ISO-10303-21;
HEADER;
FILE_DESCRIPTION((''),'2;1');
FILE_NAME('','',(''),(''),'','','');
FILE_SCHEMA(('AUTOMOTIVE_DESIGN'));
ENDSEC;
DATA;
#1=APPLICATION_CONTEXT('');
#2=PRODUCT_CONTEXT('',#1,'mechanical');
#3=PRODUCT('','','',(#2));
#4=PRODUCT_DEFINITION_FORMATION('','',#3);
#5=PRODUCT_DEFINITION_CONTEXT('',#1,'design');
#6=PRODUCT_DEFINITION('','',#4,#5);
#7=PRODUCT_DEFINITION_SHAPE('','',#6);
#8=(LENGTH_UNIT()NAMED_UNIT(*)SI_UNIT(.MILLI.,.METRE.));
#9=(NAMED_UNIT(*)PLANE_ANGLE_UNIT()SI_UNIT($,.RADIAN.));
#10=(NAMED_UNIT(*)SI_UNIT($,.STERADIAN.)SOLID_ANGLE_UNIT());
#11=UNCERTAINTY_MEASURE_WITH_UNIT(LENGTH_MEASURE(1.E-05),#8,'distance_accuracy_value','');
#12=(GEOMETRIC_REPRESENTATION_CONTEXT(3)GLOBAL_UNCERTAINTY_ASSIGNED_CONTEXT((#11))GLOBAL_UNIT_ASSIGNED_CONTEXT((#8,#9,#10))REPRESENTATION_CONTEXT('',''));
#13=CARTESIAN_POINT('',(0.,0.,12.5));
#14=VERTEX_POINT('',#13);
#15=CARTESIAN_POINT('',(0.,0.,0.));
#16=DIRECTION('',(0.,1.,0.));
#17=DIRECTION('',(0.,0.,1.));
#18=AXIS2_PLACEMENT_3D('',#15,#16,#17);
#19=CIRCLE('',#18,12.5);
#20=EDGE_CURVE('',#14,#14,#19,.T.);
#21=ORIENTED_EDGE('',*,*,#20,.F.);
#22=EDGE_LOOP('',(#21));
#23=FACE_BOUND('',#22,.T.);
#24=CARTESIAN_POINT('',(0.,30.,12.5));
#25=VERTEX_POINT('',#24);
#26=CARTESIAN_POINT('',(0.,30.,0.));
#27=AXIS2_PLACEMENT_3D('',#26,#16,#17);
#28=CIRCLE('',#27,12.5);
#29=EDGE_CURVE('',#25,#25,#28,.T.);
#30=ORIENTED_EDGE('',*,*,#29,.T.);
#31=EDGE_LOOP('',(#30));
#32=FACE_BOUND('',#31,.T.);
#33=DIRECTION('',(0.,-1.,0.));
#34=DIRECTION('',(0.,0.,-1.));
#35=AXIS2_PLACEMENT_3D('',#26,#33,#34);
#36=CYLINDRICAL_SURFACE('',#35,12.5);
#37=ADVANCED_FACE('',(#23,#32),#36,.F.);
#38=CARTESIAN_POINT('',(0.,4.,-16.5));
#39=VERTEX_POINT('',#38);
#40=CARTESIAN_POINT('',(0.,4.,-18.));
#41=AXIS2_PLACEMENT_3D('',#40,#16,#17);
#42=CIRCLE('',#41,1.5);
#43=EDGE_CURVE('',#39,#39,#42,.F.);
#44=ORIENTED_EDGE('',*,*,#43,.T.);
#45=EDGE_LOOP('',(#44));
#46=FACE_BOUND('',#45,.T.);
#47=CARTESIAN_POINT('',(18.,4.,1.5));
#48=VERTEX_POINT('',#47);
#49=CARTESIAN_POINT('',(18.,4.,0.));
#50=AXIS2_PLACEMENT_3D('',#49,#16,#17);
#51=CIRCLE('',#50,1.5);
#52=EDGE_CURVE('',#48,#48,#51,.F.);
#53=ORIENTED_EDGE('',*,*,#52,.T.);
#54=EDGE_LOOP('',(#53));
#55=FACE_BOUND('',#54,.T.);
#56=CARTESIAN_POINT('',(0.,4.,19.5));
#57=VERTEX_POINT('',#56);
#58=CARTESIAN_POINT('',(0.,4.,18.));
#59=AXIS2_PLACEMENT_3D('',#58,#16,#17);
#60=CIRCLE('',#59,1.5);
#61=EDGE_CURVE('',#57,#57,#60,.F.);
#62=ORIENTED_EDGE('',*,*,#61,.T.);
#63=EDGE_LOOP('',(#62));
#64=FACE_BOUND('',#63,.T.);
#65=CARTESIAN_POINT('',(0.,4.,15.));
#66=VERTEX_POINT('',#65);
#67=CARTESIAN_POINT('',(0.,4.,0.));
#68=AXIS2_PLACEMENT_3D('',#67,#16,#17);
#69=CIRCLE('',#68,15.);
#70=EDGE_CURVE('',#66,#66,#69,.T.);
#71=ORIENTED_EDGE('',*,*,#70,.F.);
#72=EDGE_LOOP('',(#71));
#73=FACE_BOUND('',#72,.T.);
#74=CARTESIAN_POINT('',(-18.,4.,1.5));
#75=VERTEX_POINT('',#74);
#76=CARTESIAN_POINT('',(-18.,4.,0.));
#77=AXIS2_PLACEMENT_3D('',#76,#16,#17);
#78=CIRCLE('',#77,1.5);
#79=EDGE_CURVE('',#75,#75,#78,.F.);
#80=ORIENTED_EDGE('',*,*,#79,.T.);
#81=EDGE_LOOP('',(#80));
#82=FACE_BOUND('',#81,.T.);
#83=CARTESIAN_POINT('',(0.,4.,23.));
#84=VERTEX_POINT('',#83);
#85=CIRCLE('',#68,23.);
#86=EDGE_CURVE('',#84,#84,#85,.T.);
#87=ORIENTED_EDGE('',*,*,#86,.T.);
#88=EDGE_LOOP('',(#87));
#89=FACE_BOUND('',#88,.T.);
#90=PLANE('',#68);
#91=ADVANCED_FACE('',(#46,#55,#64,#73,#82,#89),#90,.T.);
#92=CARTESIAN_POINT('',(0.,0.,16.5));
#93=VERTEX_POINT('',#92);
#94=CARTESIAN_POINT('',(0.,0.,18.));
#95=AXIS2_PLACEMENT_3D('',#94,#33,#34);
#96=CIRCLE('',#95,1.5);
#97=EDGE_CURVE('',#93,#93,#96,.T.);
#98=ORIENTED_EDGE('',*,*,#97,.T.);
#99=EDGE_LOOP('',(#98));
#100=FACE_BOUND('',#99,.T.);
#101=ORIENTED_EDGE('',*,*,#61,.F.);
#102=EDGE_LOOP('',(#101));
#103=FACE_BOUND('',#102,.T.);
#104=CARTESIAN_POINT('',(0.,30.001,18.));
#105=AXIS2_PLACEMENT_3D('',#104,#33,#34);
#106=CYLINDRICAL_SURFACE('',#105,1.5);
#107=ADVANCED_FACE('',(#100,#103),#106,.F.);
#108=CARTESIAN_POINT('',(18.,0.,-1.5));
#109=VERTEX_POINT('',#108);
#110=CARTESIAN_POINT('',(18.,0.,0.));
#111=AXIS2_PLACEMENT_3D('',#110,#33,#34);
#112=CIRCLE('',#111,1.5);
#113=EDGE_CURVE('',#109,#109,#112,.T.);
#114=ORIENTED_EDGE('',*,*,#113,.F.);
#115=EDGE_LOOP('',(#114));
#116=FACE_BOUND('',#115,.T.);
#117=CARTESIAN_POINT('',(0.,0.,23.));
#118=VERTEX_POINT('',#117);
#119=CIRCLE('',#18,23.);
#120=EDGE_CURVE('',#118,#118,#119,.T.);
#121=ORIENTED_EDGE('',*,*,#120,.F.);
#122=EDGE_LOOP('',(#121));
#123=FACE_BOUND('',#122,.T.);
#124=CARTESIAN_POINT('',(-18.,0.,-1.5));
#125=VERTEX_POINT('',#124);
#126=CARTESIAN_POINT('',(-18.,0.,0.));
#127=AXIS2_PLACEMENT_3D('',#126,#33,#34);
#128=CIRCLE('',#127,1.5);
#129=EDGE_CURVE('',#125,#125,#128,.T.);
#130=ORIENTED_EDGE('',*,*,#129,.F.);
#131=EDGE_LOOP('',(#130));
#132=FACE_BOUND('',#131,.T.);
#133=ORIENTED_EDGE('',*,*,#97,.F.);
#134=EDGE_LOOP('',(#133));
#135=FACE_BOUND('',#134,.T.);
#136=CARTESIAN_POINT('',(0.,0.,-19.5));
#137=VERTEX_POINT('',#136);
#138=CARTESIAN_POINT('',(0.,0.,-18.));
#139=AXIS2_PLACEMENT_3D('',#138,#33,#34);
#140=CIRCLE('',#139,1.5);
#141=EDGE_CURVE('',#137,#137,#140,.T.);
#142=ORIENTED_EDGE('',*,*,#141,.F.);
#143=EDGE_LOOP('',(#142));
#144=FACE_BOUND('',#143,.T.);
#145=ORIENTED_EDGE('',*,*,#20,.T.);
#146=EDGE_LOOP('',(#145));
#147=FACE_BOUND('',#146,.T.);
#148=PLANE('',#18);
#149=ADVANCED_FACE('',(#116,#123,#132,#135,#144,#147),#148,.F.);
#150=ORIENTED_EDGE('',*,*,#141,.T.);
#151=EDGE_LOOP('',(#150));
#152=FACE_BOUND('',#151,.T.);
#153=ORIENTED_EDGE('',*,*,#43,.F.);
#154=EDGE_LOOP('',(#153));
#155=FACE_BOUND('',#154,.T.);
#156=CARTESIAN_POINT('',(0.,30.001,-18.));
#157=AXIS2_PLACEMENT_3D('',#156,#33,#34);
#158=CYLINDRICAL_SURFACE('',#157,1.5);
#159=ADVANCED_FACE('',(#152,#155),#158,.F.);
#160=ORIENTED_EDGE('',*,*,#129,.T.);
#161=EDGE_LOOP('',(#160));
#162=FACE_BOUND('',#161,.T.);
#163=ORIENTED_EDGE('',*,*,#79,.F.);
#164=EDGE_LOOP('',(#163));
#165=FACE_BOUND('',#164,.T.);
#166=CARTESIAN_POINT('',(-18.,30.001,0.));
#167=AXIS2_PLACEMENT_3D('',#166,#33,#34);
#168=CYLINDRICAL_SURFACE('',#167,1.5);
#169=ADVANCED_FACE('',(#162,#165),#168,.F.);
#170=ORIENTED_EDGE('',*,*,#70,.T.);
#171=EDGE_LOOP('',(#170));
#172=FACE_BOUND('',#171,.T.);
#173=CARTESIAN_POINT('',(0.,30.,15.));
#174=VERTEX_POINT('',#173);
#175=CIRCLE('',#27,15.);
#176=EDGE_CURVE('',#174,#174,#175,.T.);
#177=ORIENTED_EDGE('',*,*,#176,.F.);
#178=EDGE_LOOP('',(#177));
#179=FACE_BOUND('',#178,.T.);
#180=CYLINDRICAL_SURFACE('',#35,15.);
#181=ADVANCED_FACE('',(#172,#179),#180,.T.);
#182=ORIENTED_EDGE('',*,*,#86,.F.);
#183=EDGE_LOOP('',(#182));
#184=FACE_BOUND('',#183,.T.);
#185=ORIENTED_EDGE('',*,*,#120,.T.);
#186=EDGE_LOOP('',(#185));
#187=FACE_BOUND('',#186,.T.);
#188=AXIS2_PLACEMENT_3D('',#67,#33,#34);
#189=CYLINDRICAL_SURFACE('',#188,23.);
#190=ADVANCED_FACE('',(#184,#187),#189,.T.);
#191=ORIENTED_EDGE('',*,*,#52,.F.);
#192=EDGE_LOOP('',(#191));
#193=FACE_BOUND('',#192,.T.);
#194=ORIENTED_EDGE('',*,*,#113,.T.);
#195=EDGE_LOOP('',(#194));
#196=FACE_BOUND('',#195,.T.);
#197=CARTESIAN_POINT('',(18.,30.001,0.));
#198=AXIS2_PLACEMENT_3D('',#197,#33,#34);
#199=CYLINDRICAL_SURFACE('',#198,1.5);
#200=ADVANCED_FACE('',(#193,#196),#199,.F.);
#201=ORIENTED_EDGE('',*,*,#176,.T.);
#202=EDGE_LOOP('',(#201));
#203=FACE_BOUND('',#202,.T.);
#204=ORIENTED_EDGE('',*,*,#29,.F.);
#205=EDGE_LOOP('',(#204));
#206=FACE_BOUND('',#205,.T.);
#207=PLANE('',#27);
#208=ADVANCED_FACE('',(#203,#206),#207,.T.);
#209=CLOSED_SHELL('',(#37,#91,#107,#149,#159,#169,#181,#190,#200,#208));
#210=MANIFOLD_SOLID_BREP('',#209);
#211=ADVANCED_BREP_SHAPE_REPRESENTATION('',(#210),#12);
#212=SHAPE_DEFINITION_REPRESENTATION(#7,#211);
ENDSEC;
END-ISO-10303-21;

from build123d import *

# Parameters (mm, degrees)
SKETCH_1_R          = 15
SKETCH_1_R_2        = 12.5
EXTRUDE_1_DEPTH     = 30
SKETCH_1_3_R        = 23
SKETCH_1_3_R_2      = 15
EXTRUDE_2_DEPTH     = 4
CUT_EXTRUDE_3_REACH = 46.249
SKETCH_3_R          = 1.5


with BuildPart() as part:
    # 草图1 → 凸台-拉伸1 (new body)
    with BuildSketch(Plane(origin=(0, 0, 0), x_dir=(1, 0, 0), z_dir=(0, 1, 0))):
        Circle(SKETCH_1_R)
        Circle(SKETCH_1_R_2, mode=Mode.SUBTRACT)
    extrude(amount=EXTRUDE_1_DEPTH)

    # 草图1<3> → 凸台-拉伸2 (add)
    with BuildSketch(Plane(origin=(0, 0, 0), x_dir=(1, 0, 0), z_dir=(0, 1, 0))):
        Circle(SKETCH_1_3_R)
        Circle(SKETCH_1_3_R_2, mode=Mode.SUBTRACT)
    extrude(amount=EXTRUDE_2_DEPTH)

    # 草图3 → 切除-拉伸3 (cut, up to next)
    with BuildSketch(Plane.XZ, mode=Mode.PRIVATE) as cut_extrude_3_sk1:
        with Locations((0, 18)):
            Circle(SKETCH_3_R)
    cut_extrude_3_tool1 = extrude(cut_extrude_3_sk1.sketch, amount=-CUT_EXTRUDE_3_REACH, mode=Mode.PRIVATE) & part.part
    # 草图3 → 切除-拉伸3 (cut, up to next)
    with BuildSketch(Plane.XZ, mode=Mode.PRIVATE) as cut_extrude_3_sk2:
        with Locations((18, 0)):
            Circle(SKETCH_3_R)
    cut_extrude_3_tool2 = extrude(cut_extrude_3_sk2.sketch, amount=-CUT_EXTRUDE_3_REACH, mode=Mode.PRIVATE) & part.part
    # 草图3 → 切除-拉伸3 (cut, up to next)
    with BuildSketch(Plane.XZ, mode=Mode.PRIVATE) as cut_extrude_3_sk3:
        with Locations((0, -18)):
            Circle(SKETCH_3_R)
    cut_extrude_3_tool3 = extrude(cut_extrude_3_sk3.sketch, amount=-CUT_EXTRUDE_3_REACH, mode=Mode.PRIVATE) & part.part
    # 草图3 → 切除-拉伸3 (cut, up to next)
    with BuildSketch(Plane.XZ, mode=Mode.PRIVATE) as cut_extrude_3_sk4:
        with Locations((-18, 0)):
            Circle(SKETCH_3_R)
    cut_extrude_3_tool4 = extrude(cut_extrude_3_sk4.sketch, amount=-CUT_EXTRUDE_3_REACH, mode=Mode.PRIVATE) & part.part
    add(cut_extrude_3_tool1.solids().sort_by_distance((0, 0, 18))[0], mode=Mode.SUBTRACT)
    add(cut_extrude_3_tool2.solids().sort_by_distance((18, 0, 0))[0], mode=Mode.SUBTRACT)
    add(cut_extrude_3_tool3.solids().sort_by_distance((0, 0, -18))[0], mode=Mode.SUBTRACT)
    add(cut_extrude_3_tool4.solids().sort_by_distance((-18, 0, 0))[0], mode=Mode.SUBTRACT)


solid = part.part
